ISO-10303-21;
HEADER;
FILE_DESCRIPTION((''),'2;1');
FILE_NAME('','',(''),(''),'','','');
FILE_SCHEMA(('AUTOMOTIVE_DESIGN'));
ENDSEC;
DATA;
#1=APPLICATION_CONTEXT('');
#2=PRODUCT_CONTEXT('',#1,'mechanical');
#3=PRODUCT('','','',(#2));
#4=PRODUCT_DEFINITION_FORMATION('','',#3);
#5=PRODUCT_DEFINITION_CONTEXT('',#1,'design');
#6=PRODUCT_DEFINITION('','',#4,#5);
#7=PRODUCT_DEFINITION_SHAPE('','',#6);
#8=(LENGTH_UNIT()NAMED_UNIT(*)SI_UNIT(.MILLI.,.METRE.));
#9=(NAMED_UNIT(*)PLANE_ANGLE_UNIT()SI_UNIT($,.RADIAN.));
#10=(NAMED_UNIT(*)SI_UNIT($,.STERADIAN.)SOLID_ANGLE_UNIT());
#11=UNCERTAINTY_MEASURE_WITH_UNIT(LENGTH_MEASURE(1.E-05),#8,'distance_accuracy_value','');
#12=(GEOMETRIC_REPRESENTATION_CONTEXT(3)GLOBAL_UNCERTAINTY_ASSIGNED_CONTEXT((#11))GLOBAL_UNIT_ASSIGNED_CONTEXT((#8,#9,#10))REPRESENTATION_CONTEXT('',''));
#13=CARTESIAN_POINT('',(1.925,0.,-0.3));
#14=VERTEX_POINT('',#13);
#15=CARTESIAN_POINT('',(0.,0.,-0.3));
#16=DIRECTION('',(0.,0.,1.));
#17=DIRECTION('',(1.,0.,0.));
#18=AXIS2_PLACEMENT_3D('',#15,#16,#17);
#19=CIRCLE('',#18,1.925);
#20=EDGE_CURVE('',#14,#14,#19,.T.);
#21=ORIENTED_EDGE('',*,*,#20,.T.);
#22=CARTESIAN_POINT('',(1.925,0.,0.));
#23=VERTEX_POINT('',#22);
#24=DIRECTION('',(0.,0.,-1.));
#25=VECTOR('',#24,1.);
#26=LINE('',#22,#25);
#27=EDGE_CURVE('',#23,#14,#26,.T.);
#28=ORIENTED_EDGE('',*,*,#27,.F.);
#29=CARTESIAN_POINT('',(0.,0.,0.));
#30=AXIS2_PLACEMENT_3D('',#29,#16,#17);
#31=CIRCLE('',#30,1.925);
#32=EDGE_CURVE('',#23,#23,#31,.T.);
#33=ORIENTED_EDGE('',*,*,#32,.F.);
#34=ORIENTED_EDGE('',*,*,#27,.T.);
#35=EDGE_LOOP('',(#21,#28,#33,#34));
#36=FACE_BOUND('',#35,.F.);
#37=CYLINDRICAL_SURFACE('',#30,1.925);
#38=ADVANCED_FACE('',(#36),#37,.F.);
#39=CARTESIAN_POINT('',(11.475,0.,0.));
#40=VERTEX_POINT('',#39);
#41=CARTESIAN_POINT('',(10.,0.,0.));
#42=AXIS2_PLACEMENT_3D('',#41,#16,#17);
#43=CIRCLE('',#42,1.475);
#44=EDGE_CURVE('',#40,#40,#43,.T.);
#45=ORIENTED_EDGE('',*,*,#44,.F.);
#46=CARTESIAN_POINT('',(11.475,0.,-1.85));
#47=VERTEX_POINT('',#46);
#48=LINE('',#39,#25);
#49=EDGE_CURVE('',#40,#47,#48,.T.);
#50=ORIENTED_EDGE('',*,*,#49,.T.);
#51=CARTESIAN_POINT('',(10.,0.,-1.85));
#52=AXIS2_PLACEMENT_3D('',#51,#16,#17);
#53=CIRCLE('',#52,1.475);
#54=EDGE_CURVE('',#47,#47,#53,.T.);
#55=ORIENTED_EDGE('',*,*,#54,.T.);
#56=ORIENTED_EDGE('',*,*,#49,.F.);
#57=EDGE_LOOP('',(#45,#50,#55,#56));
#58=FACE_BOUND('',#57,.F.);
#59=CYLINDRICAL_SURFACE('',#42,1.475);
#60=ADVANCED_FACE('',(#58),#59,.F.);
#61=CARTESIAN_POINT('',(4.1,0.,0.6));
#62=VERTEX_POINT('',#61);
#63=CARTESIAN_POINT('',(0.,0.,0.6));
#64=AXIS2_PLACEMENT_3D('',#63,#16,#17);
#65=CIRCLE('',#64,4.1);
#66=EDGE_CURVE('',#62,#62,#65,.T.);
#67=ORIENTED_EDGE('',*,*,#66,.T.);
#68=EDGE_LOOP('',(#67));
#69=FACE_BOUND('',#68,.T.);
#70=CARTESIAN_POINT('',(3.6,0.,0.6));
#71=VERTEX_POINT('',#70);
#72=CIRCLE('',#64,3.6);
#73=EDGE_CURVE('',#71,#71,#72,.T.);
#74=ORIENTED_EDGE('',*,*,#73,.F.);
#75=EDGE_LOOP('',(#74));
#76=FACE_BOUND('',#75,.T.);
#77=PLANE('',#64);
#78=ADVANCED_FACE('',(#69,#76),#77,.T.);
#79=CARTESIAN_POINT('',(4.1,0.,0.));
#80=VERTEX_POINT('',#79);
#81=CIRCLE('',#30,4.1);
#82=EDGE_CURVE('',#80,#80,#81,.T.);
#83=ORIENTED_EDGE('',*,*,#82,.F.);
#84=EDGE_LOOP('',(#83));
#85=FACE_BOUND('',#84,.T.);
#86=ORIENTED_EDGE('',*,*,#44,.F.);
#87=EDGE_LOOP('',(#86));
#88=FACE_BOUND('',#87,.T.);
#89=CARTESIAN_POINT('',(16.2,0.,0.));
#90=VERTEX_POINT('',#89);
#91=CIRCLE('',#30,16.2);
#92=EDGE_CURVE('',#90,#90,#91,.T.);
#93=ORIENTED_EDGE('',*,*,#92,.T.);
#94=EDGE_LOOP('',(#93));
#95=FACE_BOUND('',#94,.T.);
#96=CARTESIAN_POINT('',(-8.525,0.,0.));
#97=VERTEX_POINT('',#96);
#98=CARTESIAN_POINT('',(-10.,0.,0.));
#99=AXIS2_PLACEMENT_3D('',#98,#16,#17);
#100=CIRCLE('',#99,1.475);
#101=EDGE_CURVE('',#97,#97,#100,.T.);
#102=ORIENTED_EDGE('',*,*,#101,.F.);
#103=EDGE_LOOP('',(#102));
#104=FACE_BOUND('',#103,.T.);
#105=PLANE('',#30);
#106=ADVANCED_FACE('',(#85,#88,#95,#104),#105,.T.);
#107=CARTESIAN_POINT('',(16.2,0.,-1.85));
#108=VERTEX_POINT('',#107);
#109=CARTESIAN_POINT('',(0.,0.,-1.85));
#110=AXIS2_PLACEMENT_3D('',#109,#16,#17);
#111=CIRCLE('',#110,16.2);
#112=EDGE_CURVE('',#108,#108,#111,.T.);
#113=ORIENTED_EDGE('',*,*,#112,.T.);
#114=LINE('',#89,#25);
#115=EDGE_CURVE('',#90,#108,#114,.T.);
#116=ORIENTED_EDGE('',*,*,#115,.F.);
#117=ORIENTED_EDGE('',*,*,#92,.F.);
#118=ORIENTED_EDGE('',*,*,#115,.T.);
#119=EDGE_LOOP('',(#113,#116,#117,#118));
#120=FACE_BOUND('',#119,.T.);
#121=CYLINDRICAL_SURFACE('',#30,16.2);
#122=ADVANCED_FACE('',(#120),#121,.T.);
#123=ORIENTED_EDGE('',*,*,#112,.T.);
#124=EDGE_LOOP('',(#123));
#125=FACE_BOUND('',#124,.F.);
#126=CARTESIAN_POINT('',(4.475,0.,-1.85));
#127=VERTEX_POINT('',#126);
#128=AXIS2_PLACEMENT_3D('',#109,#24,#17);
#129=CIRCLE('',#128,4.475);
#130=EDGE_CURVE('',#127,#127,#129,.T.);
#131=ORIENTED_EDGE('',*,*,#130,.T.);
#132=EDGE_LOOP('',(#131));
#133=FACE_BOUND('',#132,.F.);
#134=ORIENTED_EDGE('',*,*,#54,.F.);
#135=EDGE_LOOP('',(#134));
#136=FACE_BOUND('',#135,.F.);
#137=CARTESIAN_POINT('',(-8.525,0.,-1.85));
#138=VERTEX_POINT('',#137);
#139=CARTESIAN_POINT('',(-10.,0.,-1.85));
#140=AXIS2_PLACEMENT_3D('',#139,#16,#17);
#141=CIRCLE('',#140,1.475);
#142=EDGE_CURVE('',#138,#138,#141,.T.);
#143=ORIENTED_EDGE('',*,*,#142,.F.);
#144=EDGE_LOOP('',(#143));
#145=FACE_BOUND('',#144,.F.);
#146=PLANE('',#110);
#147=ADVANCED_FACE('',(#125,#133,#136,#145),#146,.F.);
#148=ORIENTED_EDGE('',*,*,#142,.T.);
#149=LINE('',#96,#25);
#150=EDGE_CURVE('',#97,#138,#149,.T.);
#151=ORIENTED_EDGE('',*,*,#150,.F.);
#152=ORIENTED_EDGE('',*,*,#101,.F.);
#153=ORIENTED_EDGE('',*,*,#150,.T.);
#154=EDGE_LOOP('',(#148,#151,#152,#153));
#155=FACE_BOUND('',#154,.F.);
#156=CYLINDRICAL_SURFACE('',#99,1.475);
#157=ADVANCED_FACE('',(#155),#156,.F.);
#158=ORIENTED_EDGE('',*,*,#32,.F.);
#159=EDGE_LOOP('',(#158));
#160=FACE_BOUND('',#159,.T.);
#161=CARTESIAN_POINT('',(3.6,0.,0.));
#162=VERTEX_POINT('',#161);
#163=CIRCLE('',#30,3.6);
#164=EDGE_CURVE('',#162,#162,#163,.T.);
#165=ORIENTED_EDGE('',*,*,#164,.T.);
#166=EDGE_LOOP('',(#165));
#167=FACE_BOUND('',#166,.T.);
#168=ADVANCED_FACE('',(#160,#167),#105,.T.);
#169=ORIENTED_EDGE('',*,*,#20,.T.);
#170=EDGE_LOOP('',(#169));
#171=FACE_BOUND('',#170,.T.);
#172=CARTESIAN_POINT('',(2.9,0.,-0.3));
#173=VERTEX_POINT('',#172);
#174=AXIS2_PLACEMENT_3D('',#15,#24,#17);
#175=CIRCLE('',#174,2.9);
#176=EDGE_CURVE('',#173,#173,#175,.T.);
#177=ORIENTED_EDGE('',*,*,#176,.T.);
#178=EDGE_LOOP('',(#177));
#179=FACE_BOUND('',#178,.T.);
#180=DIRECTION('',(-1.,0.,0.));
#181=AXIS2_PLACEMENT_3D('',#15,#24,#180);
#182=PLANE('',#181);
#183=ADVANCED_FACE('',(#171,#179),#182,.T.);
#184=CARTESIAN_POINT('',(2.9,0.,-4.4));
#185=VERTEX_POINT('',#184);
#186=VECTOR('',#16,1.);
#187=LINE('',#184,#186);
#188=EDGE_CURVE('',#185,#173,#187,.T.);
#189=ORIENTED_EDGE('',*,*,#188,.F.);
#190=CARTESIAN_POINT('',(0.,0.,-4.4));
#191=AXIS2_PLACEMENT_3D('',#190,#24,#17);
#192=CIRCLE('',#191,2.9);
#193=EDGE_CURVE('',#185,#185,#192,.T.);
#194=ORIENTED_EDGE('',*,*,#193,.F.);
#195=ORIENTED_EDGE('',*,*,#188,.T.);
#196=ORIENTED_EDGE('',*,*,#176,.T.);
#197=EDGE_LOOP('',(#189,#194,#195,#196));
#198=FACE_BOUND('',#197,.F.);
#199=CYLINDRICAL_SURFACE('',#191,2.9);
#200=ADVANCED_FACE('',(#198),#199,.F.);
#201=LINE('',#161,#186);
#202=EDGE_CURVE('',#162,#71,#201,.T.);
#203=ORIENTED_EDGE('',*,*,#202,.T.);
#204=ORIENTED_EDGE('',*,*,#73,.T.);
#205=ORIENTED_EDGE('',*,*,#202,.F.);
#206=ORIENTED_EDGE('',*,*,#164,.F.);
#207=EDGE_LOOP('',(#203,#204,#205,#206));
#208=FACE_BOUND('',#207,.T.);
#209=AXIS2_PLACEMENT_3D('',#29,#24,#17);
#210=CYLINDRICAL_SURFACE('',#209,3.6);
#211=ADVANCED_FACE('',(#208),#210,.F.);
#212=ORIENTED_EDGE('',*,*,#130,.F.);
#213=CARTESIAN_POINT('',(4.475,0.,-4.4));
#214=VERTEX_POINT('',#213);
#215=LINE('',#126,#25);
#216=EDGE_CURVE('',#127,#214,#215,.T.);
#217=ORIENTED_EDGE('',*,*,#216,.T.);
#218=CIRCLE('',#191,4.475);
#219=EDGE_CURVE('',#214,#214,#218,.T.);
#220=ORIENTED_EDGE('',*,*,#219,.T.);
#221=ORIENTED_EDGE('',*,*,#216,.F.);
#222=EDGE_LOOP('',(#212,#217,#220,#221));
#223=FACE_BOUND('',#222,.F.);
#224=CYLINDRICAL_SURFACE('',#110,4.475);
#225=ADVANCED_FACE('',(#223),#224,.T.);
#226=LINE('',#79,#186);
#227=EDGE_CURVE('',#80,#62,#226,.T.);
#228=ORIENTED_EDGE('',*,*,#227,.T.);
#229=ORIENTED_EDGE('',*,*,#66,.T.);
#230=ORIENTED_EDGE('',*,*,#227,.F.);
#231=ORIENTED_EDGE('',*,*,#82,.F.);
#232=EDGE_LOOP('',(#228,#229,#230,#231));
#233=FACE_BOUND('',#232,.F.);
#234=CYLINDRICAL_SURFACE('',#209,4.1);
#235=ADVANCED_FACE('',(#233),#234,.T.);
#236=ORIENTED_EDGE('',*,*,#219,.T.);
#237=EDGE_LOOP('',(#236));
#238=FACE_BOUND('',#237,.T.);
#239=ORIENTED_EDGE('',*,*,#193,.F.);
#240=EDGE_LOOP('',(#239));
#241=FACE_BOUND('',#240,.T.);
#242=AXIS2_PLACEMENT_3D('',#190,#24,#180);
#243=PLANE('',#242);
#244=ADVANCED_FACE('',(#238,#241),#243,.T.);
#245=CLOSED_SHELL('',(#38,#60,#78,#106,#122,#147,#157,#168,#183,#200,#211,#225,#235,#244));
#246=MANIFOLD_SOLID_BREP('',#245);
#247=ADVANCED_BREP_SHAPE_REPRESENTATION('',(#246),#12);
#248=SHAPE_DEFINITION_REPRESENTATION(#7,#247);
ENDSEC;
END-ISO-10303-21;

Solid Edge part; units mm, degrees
sketch "Sketch1" plane through (0, 0, 0) normal (0, 0, 1) x (1, 0, 0)
  circle A0 centre (0, 0) radius 16.2
extrude "Protrusion1" add sketch "Sketch1" against normal blind 1.85
sketch "Sketch2" plane through (0, 0, 0) normal (0, 0, 1) x (1, 0, 0)
  circle A0 centre (0, 0) radius 3.6
  circle A1 centre (0, 0) radius 4.1
  dimension "D1" = 7.2
extrude "ExtrudedProtrusion_2" add sketch "Sketch2" along normal blind 0.6
sketch "Sketch3" plane through (0, 0, -1.85) normal (0, 0, -1) x (1, 0, 0)
  circle A0 centre (0, 0) radius 4.475
extrude "ExtrudedProtrusion_3" add sketch "Sketch3" along normal blind 2.55
sketch "Sketch4" plane through (0, 0, -4.4) normal (0, 0, -1) x (1, 0, 0)
  circle A0 centre (0, 0) radius 2.9
extrude "ExtrudedCutout_1" cut sketch "Sketch4" against normal blind 4.1
sketch "Sketch5" plane through (0, 0, 0) normal (0, 0, 1) x (1, 0, 0)
  circle A0 centre (0, 0) radius 1.925
extrude "Cutout1" cut sketch "Sketch5" against normal through all
sketch "Sketch6" plane through (0, 0, 0) normal (0, 0, 1) x (1, 0, 0)
  circle A0 centre (-10, 0) radius 1.475
  circle A1 centre (10, 0) radius 1.475
  dimension "D1" = 2.95
  dimension "D2" = 20
extrude "Cutout2" cut sketch "Sketch6" against normal through all
